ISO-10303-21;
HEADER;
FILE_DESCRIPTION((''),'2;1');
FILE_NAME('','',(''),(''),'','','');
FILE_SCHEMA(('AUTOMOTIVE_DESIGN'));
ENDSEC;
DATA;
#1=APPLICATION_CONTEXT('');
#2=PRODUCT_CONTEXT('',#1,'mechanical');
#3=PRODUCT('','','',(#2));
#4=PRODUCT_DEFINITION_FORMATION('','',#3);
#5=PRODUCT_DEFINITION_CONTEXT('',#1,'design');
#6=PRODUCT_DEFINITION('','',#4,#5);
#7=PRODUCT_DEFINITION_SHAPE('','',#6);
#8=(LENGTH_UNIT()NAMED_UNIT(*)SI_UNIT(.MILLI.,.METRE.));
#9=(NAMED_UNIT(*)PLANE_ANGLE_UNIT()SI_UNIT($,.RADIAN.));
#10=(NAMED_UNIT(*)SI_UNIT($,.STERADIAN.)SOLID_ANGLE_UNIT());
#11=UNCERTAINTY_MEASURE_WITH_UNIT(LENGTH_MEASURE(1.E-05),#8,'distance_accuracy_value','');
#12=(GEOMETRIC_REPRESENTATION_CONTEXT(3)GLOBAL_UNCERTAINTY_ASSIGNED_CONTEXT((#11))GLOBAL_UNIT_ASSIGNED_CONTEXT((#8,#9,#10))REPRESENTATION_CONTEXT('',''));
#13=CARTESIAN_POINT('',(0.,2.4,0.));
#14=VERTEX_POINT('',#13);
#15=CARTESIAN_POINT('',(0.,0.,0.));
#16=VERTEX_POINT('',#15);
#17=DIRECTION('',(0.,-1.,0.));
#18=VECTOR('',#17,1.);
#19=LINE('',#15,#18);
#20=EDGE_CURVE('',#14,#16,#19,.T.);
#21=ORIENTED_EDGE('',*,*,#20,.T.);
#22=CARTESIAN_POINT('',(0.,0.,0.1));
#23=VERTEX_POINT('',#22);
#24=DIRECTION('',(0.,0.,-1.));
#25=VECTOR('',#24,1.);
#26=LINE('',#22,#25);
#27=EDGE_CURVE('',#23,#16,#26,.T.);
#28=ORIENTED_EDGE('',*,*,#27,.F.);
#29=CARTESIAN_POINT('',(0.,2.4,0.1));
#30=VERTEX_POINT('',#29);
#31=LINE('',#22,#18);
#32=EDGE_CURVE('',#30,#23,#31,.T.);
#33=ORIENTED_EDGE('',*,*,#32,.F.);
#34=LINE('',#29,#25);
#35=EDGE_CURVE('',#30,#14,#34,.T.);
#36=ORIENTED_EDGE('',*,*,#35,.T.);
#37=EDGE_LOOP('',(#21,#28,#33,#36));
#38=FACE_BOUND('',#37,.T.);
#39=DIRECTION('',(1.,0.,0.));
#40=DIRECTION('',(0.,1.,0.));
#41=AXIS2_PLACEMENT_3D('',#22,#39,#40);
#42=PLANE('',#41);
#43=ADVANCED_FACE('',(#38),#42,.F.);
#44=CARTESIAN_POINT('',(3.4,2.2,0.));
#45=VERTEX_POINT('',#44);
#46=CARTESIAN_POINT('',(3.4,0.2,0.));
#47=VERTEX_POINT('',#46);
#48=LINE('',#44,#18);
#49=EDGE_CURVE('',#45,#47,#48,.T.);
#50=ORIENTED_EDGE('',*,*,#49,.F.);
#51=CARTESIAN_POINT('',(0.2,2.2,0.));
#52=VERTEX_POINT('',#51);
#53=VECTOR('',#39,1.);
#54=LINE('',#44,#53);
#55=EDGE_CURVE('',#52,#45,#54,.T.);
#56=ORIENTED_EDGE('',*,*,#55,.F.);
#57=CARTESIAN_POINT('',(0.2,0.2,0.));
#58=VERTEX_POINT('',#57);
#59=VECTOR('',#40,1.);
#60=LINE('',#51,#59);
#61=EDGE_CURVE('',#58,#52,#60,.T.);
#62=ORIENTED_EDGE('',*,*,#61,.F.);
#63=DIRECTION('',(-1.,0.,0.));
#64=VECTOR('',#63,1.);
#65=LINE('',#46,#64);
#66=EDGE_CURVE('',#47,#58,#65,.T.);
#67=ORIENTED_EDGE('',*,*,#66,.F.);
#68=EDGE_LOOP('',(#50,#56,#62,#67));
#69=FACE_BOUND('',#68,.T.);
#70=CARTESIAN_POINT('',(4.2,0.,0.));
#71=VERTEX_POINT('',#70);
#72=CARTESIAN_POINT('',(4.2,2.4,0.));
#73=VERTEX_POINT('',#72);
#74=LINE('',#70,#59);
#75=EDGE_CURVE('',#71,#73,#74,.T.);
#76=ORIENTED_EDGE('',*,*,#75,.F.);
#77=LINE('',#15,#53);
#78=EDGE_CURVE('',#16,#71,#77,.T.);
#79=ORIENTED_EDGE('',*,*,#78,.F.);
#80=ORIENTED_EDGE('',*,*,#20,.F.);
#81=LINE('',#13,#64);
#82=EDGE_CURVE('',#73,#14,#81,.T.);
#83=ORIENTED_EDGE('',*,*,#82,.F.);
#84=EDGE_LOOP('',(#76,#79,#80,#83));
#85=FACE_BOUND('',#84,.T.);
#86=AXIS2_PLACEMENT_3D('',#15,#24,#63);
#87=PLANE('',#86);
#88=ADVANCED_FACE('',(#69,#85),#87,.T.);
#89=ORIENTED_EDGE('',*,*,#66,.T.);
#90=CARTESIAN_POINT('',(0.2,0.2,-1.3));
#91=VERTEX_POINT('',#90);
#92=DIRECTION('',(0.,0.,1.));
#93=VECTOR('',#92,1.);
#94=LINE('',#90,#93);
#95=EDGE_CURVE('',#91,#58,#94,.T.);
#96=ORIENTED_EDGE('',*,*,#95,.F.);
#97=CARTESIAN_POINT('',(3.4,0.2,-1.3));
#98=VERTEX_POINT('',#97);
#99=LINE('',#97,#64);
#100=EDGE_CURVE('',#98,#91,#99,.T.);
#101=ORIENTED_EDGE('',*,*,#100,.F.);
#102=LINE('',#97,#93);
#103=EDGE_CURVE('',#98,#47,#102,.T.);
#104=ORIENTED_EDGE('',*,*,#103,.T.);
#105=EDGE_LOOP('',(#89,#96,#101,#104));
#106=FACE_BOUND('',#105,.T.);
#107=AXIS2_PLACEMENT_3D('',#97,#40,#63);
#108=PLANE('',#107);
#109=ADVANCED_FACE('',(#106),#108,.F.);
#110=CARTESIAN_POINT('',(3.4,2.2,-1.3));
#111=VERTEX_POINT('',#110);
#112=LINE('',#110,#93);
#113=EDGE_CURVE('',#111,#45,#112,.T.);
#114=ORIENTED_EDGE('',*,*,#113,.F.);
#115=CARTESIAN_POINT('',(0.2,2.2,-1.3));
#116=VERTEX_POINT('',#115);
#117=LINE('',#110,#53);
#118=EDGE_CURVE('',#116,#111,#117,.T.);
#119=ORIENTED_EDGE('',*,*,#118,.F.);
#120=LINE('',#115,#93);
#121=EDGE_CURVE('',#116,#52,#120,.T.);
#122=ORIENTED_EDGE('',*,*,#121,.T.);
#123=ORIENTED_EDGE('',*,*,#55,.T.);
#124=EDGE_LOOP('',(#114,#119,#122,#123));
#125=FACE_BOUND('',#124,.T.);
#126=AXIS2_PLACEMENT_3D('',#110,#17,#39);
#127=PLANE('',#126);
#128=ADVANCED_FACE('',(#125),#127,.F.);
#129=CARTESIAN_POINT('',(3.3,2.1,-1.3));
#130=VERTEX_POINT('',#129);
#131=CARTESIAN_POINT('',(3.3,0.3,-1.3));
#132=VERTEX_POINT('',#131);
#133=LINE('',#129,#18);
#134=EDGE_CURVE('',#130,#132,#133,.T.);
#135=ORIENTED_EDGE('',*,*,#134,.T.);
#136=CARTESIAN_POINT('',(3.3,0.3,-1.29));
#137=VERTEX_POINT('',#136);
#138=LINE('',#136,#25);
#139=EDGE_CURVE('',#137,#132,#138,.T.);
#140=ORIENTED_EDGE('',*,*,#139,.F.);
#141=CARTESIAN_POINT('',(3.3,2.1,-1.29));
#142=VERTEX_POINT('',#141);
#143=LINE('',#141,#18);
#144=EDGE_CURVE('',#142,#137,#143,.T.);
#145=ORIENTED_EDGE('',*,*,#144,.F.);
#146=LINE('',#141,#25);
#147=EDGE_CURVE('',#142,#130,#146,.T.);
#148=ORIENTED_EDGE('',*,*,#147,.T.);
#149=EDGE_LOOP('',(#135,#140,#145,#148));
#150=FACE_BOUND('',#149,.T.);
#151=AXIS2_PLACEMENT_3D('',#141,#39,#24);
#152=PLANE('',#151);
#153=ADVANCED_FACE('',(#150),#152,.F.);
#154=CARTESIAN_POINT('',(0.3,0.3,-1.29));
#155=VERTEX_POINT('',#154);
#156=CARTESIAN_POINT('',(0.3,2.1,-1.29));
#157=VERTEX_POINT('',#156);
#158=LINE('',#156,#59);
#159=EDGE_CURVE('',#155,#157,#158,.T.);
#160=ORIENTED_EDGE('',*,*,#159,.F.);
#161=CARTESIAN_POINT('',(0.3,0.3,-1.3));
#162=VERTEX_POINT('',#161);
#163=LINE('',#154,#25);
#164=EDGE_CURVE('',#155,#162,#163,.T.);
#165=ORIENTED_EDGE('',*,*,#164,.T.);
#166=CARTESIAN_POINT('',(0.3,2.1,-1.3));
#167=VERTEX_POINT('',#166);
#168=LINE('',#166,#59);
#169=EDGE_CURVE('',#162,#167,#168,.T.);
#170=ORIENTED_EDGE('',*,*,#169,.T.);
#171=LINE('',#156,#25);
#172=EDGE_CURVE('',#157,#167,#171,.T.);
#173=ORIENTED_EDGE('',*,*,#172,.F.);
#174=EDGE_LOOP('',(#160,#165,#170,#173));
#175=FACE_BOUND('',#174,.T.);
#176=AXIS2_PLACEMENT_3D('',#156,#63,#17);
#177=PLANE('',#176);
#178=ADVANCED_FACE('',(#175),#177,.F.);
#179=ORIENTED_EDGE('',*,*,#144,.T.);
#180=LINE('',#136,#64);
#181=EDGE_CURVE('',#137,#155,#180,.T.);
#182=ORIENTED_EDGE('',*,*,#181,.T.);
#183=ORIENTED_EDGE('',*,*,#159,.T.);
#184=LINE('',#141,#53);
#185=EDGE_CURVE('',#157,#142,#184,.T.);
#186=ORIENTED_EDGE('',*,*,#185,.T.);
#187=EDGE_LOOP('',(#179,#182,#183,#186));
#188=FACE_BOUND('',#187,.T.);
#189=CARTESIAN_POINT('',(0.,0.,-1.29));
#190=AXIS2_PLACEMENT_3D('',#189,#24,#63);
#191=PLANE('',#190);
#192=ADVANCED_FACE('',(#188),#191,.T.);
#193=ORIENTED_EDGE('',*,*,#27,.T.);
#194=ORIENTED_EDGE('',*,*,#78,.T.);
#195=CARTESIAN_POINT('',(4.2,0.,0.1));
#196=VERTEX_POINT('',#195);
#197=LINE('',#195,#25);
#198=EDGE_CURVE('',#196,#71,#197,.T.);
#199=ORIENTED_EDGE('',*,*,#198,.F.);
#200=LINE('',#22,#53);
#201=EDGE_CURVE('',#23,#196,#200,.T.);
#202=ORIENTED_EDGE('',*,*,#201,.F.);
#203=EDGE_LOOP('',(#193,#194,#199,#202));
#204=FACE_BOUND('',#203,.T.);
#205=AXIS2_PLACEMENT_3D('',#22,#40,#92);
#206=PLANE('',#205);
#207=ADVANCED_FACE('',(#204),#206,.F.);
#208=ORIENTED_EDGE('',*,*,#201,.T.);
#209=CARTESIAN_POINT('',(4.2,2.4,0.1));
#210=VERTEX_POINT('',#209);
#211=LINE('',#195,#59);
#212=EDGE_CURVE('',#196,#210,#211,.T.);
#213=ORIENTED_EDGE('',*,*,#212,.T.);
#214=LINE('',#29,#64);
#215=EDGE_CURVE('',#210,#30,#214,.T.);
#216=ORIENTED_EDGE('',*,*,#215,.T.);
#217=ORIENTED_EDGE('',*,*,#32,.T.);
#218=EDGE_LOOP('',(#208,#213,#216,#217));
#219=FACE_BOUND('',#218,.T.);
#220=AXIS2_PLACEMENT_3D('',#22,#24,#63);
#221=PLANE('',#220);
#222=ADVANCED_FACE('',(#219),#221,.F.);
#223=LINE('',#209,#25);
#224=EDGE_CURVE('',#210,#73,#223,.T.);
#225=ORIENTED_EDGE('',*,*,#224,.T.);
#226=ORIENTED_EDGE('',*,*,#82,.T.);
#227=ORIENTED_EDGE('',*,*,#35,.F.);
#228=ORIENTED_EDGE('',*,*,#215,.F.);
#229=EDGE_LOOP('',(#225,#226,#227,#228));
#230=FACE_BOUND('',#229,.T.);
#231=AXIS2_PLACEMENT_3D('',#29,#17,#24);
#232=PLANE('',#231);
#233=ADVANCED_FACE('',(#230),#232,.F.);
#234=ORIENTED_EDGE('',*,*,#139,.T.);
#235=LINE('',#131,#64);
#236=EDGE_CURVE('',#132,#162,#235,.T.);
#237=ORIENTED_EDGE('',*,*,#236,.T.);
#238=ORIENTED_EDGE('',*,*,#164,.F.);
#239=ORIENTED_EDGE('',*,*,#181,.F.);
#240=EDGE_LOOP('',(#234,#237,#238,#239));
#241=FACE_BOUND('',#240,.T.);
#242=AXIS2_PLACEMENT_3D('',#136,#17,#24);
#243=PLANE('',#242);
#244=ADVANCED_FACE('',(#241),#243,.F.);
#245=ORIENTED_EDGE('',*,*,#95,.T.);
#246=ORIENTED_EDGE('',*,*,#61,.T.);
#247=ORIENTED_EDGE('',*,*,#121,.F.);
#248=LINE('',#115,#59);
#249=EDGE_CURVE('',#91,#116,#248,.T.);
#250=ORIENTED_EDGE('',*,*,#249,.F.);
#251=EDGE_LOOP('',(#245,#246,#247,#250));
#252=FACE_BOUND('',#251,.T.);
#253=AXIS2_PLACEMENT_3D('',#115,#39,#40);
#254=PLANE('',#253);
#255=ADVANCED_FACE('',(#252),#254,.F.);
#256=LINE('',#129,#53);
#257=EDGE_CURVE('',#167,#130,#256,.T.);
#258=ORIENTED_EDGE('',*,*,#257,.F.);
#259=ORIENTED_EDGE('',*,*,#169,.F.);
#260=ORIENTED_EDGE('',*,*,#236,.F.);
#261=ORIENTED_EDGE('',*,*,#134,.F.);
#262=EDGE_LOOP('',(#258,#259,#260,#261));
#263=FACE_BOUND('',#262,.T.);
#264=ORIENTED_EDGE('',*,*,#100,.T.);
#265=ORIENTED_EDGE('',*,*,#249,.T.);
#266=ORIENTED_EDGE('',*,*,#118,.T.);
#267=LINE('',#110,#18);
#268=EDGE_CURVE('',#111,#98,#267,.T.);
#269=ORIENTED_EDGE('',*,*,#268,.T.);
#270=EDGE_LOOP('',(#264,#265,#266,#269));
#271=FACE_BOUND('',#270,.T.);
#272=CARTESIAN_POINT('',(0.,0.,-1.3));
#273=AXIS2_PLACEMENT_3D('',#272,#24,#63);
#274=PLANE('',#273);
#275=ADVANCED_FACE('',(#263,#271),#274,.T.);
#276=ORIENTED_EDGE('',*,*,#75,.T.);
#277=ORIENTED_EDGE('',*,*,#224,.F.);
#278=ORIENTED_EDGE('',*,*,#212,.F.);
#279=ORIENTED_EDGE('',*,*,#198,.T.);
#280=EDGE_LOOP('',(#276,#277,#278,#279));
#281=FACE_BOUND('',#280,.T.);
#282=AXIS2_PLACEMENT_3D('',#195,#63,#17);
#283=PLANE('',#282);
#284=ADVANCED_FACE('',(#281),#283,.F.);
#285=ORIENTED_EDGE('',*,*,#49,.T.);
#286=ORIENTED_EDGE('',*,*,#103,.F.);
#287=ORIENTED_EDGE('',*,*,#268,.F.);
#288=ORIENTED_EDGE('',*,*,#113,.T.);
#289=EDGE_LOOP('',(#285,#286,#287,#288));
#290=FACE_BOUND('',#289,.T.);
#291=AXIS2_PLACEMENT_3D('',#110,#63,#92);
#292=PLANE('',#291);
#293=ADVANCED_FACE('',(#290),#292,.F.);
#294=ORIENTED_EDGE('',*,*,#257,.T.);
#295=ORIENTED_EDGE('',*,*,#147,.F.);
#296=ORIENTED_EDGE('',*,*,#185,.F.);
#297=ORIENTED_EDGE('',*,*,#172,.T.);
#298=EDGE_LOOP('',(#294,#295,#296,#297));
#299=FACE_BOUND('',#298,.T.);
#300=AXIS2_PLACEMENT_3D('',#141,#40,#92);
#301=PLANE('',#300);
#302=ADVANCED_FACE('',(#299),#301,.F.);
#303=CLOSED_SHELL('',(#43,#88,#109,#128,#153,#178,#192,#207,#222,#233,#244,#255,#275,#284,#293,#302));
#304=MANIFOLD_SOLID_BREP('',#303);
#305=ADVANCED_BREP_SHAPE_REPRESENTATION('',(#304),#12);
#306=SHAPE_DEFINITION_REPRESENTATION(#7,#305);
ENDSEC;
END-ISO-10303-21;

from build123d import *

# Parameters (mm, degrees)
ESQUISSE2_W             = 4.2
ESQUISSE2_H             = 2.4
BOSS_EXTRU_1_DEPTH      = 0.1
ESQUISSE3_W             = 3.2
ESQUISSE3_H             = 2
BOSS_EXTRU_2_DEPTH      = 1.3
ESQUISSE4_W             = 3
ESQUISSE4_H             = 1.8
ENL_V_MAT_EXTRU_1_DEPTH = 0.01


with BuildPart() as part:
    # Esquisse2 → Boss.-Extru.1 (new body)
    with BuildSketch(Plane.XY):
        with Locations((2.1, 1.2)):
            Rectangle(ESQUISSE2_W, ESQUISSE2_H)
    extrude(amount=BOSS_EXTRU_1_DEPTH)

    # Esquisse3 → Boss.-Extru.2 (add)
    with BuildSketch(Plane(origin=(0, 0, 0), x_dir=(-1, 0, 0), z_dir=(0, 0, -1))):
        with Locations((-1.8, 1.2)):
            Rectangle(ESQUISSE3_W, ESQUISSE3_H)
    extrude(amount=BOSS_EXTRU_2_DEPTH)

    # Esquisse4 → Enlèv. mat.-Extru.1 (cut)
    with BuildSketch(Plane(origin=(0, 0, -1.3), x_dir=(-1, 0, 0), z_dir=(0, 0, -1))):
        with Locations((-1.8, 1.2)):
            Rectangle(ESQUISSE4_W, ESQUISSE4_H)
    extrude(amount=-ENL_V_MAT_EXTRU_1_DEPTH, mode=Mode.SUBTRACT)


solid = part.part
